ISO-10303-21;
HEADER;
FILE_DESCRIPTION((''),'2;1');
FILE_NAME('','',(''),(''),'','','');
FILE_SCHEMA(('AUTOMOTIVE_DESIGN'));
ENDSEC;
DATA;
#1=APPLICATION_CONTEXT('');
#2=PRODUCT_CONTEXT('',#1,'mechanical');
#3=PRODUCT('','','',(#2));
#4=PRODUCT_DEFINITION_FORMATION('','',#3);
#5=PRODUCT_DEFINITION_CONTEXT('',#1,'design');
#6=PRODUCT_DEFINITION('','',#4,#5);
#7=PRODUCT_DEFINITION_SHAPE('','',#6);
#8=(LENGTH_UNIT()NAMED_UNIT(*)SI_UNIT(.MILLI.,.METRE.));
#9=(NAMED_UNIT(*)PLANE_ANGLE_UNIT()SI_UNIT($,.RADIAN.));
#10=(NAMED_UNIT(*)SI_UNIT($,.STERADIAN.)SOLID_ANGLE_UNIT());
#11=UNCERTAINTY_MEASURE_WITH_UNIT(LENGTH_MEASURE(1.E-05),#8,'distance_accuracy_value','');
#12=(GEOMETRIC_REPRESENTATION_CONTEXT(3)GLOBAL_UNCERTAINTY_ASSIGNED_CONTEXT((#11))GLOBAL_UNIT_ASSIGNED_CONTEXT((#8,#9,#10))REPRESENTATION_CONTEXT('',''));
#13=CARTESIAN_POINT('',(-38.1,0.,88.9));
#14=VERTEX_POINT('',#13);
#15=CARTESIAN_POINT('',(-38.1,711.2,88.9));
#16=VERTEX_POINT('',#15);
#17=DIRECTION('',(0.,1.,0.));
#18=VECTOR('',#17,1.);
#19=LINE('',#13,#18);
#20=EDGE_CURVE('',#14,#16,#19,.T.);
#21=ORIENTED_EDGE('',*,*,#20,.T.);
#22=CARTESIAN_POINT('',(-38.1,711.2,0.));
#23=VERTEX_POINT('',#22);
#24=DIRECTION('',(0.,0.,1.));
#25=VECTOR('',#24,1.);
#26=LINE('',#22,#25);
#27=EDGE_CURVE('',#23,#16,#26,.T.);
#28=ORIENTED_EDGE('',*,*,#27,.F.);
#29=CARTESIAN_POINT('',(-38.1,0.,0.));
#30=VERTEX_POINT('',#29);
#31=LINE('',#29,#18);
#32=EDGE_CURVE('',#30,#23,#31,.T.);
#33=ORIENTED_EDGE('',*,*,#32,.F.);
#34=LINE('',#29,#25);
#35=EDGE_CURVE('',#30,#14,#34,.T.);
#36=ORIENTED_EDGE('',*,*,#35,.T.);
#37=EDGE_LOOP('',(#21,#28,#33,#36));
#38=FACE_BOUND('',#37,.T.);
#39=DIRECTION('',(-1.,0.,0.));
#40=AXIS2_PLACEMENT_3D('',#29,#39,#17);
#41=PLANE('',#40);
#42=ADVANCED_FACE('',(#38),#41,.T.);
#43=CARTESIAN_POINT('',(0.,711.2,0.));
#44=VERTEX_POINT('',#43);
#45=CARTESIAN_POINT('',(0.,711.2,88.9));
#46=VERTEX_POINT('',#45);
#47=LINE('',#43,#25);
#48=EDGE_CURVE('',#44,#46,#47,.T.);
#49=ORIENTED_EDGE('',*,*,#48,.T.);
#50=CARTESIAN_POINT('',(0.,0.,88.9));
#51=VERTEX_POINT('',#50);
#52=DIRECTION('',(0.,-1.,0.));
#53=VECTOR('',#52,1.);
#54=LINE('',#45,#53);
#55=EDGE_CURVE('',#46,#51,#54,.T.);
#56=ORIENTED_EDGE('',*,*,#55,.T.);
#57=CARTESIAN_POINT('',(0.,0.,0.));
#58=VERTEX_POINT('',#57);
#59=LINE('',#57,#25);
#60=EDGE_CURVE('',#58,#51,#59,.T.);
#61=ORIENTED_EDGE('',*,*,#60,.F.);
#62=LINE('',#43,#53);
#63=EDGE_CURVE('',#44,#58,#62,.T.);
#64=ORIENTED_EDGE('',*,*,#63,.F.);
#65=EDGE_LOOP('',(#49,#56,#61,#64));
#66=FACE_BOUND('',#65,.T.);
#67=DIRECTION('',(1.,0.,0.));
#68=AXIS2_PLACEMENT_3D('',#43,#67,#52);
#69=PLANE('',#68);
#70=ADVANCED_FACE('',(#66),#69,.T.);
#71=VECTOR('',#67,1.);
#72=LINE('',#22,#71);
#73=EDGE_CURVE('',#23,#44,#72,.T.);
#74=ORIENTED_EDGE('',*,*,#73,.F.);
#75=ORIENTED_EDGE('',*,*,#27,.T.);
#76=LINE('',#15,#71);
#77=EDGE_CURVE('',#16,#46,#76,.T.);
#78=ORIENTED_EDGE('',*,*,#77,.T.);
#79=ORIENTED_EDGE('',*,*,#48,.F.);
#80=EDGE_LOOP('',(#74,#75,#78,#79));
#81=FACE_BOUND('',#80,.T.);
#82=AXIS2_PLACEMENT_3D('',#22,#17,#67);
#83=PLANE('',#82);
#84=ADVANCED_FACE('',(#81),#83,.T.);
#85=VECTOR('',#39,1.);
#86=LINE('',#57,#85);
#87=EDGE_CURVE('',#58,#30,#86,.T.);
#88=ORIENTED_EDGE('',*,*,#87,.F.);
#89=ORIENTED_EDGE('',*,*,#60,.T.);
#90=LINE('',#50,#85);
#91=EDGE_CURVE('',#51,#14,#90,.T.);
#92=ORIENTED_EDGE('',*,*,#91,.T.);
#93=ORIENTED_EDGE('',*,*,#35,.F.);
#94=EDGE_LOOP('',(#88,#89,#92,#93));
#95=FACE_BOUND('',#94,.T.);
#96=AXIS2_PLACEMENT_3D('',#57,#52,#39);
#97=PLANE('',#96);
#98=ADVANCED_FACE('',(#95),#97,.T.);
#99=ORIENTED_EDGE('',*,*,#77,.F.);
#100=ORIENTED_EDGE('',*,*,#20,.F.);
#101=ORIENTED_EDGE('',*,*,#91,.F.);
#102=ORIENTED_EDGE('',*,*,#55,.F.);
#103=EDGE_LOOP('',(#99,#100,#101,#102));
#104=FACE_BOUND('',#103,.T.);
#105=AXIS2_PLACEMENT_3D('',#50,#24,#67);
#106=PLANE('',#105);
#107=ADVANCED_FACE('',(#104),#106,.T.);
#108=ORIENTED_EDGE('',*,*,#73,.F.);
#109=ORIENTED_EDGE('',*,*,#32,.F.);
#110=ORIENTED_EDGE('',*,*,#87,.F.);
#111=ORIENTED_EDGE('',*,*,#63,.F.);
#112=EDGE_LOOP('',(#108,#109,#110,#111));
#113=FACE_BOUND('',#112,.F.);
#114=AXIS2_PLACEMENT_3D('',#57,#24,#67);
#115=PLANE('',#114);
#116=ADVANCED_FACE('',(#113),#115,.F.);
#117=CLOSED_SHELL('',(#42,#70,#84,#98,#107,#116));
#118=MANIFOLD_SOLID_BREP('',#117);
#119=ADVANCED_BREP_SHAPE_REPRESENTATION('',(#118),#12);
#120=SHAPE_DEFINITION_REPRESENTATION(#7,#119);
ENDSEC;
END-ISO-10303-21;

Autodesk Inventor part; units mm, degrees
ref_plane "YZ Plane" through (0, 0, 0) normal (1, 0, 0) x (0, 1, 0)
ref_plane "XZ Plane" through (0, 0, 0) normal (0, 1, 0) x (-1, 0, 0)
ref_plane "XY Plane" through (0, 0, 0) normal (0, 0, 1) x (1, 0, 0)
sketch "Sketch1" plane through (0, 0, 0) normal (0, 0, 1) x (1, 0, 0)
  line L0 (0, 0) -> (-38.1, 0)
  line L1 (-38.1, 0) -> (-38.1, 711.2)
  line L2 (-38.1, 711.2) -> (0, 711.2)
  line L3 (0, 711.2) -> (0, 0)
  dimension "d0" = 38.1
  dimension "d1" = 711.2
extrude "Extrusion1" add sketch "Sketch1" along normal blind 88.9
properties part number "LongColumn" material "Wood"
